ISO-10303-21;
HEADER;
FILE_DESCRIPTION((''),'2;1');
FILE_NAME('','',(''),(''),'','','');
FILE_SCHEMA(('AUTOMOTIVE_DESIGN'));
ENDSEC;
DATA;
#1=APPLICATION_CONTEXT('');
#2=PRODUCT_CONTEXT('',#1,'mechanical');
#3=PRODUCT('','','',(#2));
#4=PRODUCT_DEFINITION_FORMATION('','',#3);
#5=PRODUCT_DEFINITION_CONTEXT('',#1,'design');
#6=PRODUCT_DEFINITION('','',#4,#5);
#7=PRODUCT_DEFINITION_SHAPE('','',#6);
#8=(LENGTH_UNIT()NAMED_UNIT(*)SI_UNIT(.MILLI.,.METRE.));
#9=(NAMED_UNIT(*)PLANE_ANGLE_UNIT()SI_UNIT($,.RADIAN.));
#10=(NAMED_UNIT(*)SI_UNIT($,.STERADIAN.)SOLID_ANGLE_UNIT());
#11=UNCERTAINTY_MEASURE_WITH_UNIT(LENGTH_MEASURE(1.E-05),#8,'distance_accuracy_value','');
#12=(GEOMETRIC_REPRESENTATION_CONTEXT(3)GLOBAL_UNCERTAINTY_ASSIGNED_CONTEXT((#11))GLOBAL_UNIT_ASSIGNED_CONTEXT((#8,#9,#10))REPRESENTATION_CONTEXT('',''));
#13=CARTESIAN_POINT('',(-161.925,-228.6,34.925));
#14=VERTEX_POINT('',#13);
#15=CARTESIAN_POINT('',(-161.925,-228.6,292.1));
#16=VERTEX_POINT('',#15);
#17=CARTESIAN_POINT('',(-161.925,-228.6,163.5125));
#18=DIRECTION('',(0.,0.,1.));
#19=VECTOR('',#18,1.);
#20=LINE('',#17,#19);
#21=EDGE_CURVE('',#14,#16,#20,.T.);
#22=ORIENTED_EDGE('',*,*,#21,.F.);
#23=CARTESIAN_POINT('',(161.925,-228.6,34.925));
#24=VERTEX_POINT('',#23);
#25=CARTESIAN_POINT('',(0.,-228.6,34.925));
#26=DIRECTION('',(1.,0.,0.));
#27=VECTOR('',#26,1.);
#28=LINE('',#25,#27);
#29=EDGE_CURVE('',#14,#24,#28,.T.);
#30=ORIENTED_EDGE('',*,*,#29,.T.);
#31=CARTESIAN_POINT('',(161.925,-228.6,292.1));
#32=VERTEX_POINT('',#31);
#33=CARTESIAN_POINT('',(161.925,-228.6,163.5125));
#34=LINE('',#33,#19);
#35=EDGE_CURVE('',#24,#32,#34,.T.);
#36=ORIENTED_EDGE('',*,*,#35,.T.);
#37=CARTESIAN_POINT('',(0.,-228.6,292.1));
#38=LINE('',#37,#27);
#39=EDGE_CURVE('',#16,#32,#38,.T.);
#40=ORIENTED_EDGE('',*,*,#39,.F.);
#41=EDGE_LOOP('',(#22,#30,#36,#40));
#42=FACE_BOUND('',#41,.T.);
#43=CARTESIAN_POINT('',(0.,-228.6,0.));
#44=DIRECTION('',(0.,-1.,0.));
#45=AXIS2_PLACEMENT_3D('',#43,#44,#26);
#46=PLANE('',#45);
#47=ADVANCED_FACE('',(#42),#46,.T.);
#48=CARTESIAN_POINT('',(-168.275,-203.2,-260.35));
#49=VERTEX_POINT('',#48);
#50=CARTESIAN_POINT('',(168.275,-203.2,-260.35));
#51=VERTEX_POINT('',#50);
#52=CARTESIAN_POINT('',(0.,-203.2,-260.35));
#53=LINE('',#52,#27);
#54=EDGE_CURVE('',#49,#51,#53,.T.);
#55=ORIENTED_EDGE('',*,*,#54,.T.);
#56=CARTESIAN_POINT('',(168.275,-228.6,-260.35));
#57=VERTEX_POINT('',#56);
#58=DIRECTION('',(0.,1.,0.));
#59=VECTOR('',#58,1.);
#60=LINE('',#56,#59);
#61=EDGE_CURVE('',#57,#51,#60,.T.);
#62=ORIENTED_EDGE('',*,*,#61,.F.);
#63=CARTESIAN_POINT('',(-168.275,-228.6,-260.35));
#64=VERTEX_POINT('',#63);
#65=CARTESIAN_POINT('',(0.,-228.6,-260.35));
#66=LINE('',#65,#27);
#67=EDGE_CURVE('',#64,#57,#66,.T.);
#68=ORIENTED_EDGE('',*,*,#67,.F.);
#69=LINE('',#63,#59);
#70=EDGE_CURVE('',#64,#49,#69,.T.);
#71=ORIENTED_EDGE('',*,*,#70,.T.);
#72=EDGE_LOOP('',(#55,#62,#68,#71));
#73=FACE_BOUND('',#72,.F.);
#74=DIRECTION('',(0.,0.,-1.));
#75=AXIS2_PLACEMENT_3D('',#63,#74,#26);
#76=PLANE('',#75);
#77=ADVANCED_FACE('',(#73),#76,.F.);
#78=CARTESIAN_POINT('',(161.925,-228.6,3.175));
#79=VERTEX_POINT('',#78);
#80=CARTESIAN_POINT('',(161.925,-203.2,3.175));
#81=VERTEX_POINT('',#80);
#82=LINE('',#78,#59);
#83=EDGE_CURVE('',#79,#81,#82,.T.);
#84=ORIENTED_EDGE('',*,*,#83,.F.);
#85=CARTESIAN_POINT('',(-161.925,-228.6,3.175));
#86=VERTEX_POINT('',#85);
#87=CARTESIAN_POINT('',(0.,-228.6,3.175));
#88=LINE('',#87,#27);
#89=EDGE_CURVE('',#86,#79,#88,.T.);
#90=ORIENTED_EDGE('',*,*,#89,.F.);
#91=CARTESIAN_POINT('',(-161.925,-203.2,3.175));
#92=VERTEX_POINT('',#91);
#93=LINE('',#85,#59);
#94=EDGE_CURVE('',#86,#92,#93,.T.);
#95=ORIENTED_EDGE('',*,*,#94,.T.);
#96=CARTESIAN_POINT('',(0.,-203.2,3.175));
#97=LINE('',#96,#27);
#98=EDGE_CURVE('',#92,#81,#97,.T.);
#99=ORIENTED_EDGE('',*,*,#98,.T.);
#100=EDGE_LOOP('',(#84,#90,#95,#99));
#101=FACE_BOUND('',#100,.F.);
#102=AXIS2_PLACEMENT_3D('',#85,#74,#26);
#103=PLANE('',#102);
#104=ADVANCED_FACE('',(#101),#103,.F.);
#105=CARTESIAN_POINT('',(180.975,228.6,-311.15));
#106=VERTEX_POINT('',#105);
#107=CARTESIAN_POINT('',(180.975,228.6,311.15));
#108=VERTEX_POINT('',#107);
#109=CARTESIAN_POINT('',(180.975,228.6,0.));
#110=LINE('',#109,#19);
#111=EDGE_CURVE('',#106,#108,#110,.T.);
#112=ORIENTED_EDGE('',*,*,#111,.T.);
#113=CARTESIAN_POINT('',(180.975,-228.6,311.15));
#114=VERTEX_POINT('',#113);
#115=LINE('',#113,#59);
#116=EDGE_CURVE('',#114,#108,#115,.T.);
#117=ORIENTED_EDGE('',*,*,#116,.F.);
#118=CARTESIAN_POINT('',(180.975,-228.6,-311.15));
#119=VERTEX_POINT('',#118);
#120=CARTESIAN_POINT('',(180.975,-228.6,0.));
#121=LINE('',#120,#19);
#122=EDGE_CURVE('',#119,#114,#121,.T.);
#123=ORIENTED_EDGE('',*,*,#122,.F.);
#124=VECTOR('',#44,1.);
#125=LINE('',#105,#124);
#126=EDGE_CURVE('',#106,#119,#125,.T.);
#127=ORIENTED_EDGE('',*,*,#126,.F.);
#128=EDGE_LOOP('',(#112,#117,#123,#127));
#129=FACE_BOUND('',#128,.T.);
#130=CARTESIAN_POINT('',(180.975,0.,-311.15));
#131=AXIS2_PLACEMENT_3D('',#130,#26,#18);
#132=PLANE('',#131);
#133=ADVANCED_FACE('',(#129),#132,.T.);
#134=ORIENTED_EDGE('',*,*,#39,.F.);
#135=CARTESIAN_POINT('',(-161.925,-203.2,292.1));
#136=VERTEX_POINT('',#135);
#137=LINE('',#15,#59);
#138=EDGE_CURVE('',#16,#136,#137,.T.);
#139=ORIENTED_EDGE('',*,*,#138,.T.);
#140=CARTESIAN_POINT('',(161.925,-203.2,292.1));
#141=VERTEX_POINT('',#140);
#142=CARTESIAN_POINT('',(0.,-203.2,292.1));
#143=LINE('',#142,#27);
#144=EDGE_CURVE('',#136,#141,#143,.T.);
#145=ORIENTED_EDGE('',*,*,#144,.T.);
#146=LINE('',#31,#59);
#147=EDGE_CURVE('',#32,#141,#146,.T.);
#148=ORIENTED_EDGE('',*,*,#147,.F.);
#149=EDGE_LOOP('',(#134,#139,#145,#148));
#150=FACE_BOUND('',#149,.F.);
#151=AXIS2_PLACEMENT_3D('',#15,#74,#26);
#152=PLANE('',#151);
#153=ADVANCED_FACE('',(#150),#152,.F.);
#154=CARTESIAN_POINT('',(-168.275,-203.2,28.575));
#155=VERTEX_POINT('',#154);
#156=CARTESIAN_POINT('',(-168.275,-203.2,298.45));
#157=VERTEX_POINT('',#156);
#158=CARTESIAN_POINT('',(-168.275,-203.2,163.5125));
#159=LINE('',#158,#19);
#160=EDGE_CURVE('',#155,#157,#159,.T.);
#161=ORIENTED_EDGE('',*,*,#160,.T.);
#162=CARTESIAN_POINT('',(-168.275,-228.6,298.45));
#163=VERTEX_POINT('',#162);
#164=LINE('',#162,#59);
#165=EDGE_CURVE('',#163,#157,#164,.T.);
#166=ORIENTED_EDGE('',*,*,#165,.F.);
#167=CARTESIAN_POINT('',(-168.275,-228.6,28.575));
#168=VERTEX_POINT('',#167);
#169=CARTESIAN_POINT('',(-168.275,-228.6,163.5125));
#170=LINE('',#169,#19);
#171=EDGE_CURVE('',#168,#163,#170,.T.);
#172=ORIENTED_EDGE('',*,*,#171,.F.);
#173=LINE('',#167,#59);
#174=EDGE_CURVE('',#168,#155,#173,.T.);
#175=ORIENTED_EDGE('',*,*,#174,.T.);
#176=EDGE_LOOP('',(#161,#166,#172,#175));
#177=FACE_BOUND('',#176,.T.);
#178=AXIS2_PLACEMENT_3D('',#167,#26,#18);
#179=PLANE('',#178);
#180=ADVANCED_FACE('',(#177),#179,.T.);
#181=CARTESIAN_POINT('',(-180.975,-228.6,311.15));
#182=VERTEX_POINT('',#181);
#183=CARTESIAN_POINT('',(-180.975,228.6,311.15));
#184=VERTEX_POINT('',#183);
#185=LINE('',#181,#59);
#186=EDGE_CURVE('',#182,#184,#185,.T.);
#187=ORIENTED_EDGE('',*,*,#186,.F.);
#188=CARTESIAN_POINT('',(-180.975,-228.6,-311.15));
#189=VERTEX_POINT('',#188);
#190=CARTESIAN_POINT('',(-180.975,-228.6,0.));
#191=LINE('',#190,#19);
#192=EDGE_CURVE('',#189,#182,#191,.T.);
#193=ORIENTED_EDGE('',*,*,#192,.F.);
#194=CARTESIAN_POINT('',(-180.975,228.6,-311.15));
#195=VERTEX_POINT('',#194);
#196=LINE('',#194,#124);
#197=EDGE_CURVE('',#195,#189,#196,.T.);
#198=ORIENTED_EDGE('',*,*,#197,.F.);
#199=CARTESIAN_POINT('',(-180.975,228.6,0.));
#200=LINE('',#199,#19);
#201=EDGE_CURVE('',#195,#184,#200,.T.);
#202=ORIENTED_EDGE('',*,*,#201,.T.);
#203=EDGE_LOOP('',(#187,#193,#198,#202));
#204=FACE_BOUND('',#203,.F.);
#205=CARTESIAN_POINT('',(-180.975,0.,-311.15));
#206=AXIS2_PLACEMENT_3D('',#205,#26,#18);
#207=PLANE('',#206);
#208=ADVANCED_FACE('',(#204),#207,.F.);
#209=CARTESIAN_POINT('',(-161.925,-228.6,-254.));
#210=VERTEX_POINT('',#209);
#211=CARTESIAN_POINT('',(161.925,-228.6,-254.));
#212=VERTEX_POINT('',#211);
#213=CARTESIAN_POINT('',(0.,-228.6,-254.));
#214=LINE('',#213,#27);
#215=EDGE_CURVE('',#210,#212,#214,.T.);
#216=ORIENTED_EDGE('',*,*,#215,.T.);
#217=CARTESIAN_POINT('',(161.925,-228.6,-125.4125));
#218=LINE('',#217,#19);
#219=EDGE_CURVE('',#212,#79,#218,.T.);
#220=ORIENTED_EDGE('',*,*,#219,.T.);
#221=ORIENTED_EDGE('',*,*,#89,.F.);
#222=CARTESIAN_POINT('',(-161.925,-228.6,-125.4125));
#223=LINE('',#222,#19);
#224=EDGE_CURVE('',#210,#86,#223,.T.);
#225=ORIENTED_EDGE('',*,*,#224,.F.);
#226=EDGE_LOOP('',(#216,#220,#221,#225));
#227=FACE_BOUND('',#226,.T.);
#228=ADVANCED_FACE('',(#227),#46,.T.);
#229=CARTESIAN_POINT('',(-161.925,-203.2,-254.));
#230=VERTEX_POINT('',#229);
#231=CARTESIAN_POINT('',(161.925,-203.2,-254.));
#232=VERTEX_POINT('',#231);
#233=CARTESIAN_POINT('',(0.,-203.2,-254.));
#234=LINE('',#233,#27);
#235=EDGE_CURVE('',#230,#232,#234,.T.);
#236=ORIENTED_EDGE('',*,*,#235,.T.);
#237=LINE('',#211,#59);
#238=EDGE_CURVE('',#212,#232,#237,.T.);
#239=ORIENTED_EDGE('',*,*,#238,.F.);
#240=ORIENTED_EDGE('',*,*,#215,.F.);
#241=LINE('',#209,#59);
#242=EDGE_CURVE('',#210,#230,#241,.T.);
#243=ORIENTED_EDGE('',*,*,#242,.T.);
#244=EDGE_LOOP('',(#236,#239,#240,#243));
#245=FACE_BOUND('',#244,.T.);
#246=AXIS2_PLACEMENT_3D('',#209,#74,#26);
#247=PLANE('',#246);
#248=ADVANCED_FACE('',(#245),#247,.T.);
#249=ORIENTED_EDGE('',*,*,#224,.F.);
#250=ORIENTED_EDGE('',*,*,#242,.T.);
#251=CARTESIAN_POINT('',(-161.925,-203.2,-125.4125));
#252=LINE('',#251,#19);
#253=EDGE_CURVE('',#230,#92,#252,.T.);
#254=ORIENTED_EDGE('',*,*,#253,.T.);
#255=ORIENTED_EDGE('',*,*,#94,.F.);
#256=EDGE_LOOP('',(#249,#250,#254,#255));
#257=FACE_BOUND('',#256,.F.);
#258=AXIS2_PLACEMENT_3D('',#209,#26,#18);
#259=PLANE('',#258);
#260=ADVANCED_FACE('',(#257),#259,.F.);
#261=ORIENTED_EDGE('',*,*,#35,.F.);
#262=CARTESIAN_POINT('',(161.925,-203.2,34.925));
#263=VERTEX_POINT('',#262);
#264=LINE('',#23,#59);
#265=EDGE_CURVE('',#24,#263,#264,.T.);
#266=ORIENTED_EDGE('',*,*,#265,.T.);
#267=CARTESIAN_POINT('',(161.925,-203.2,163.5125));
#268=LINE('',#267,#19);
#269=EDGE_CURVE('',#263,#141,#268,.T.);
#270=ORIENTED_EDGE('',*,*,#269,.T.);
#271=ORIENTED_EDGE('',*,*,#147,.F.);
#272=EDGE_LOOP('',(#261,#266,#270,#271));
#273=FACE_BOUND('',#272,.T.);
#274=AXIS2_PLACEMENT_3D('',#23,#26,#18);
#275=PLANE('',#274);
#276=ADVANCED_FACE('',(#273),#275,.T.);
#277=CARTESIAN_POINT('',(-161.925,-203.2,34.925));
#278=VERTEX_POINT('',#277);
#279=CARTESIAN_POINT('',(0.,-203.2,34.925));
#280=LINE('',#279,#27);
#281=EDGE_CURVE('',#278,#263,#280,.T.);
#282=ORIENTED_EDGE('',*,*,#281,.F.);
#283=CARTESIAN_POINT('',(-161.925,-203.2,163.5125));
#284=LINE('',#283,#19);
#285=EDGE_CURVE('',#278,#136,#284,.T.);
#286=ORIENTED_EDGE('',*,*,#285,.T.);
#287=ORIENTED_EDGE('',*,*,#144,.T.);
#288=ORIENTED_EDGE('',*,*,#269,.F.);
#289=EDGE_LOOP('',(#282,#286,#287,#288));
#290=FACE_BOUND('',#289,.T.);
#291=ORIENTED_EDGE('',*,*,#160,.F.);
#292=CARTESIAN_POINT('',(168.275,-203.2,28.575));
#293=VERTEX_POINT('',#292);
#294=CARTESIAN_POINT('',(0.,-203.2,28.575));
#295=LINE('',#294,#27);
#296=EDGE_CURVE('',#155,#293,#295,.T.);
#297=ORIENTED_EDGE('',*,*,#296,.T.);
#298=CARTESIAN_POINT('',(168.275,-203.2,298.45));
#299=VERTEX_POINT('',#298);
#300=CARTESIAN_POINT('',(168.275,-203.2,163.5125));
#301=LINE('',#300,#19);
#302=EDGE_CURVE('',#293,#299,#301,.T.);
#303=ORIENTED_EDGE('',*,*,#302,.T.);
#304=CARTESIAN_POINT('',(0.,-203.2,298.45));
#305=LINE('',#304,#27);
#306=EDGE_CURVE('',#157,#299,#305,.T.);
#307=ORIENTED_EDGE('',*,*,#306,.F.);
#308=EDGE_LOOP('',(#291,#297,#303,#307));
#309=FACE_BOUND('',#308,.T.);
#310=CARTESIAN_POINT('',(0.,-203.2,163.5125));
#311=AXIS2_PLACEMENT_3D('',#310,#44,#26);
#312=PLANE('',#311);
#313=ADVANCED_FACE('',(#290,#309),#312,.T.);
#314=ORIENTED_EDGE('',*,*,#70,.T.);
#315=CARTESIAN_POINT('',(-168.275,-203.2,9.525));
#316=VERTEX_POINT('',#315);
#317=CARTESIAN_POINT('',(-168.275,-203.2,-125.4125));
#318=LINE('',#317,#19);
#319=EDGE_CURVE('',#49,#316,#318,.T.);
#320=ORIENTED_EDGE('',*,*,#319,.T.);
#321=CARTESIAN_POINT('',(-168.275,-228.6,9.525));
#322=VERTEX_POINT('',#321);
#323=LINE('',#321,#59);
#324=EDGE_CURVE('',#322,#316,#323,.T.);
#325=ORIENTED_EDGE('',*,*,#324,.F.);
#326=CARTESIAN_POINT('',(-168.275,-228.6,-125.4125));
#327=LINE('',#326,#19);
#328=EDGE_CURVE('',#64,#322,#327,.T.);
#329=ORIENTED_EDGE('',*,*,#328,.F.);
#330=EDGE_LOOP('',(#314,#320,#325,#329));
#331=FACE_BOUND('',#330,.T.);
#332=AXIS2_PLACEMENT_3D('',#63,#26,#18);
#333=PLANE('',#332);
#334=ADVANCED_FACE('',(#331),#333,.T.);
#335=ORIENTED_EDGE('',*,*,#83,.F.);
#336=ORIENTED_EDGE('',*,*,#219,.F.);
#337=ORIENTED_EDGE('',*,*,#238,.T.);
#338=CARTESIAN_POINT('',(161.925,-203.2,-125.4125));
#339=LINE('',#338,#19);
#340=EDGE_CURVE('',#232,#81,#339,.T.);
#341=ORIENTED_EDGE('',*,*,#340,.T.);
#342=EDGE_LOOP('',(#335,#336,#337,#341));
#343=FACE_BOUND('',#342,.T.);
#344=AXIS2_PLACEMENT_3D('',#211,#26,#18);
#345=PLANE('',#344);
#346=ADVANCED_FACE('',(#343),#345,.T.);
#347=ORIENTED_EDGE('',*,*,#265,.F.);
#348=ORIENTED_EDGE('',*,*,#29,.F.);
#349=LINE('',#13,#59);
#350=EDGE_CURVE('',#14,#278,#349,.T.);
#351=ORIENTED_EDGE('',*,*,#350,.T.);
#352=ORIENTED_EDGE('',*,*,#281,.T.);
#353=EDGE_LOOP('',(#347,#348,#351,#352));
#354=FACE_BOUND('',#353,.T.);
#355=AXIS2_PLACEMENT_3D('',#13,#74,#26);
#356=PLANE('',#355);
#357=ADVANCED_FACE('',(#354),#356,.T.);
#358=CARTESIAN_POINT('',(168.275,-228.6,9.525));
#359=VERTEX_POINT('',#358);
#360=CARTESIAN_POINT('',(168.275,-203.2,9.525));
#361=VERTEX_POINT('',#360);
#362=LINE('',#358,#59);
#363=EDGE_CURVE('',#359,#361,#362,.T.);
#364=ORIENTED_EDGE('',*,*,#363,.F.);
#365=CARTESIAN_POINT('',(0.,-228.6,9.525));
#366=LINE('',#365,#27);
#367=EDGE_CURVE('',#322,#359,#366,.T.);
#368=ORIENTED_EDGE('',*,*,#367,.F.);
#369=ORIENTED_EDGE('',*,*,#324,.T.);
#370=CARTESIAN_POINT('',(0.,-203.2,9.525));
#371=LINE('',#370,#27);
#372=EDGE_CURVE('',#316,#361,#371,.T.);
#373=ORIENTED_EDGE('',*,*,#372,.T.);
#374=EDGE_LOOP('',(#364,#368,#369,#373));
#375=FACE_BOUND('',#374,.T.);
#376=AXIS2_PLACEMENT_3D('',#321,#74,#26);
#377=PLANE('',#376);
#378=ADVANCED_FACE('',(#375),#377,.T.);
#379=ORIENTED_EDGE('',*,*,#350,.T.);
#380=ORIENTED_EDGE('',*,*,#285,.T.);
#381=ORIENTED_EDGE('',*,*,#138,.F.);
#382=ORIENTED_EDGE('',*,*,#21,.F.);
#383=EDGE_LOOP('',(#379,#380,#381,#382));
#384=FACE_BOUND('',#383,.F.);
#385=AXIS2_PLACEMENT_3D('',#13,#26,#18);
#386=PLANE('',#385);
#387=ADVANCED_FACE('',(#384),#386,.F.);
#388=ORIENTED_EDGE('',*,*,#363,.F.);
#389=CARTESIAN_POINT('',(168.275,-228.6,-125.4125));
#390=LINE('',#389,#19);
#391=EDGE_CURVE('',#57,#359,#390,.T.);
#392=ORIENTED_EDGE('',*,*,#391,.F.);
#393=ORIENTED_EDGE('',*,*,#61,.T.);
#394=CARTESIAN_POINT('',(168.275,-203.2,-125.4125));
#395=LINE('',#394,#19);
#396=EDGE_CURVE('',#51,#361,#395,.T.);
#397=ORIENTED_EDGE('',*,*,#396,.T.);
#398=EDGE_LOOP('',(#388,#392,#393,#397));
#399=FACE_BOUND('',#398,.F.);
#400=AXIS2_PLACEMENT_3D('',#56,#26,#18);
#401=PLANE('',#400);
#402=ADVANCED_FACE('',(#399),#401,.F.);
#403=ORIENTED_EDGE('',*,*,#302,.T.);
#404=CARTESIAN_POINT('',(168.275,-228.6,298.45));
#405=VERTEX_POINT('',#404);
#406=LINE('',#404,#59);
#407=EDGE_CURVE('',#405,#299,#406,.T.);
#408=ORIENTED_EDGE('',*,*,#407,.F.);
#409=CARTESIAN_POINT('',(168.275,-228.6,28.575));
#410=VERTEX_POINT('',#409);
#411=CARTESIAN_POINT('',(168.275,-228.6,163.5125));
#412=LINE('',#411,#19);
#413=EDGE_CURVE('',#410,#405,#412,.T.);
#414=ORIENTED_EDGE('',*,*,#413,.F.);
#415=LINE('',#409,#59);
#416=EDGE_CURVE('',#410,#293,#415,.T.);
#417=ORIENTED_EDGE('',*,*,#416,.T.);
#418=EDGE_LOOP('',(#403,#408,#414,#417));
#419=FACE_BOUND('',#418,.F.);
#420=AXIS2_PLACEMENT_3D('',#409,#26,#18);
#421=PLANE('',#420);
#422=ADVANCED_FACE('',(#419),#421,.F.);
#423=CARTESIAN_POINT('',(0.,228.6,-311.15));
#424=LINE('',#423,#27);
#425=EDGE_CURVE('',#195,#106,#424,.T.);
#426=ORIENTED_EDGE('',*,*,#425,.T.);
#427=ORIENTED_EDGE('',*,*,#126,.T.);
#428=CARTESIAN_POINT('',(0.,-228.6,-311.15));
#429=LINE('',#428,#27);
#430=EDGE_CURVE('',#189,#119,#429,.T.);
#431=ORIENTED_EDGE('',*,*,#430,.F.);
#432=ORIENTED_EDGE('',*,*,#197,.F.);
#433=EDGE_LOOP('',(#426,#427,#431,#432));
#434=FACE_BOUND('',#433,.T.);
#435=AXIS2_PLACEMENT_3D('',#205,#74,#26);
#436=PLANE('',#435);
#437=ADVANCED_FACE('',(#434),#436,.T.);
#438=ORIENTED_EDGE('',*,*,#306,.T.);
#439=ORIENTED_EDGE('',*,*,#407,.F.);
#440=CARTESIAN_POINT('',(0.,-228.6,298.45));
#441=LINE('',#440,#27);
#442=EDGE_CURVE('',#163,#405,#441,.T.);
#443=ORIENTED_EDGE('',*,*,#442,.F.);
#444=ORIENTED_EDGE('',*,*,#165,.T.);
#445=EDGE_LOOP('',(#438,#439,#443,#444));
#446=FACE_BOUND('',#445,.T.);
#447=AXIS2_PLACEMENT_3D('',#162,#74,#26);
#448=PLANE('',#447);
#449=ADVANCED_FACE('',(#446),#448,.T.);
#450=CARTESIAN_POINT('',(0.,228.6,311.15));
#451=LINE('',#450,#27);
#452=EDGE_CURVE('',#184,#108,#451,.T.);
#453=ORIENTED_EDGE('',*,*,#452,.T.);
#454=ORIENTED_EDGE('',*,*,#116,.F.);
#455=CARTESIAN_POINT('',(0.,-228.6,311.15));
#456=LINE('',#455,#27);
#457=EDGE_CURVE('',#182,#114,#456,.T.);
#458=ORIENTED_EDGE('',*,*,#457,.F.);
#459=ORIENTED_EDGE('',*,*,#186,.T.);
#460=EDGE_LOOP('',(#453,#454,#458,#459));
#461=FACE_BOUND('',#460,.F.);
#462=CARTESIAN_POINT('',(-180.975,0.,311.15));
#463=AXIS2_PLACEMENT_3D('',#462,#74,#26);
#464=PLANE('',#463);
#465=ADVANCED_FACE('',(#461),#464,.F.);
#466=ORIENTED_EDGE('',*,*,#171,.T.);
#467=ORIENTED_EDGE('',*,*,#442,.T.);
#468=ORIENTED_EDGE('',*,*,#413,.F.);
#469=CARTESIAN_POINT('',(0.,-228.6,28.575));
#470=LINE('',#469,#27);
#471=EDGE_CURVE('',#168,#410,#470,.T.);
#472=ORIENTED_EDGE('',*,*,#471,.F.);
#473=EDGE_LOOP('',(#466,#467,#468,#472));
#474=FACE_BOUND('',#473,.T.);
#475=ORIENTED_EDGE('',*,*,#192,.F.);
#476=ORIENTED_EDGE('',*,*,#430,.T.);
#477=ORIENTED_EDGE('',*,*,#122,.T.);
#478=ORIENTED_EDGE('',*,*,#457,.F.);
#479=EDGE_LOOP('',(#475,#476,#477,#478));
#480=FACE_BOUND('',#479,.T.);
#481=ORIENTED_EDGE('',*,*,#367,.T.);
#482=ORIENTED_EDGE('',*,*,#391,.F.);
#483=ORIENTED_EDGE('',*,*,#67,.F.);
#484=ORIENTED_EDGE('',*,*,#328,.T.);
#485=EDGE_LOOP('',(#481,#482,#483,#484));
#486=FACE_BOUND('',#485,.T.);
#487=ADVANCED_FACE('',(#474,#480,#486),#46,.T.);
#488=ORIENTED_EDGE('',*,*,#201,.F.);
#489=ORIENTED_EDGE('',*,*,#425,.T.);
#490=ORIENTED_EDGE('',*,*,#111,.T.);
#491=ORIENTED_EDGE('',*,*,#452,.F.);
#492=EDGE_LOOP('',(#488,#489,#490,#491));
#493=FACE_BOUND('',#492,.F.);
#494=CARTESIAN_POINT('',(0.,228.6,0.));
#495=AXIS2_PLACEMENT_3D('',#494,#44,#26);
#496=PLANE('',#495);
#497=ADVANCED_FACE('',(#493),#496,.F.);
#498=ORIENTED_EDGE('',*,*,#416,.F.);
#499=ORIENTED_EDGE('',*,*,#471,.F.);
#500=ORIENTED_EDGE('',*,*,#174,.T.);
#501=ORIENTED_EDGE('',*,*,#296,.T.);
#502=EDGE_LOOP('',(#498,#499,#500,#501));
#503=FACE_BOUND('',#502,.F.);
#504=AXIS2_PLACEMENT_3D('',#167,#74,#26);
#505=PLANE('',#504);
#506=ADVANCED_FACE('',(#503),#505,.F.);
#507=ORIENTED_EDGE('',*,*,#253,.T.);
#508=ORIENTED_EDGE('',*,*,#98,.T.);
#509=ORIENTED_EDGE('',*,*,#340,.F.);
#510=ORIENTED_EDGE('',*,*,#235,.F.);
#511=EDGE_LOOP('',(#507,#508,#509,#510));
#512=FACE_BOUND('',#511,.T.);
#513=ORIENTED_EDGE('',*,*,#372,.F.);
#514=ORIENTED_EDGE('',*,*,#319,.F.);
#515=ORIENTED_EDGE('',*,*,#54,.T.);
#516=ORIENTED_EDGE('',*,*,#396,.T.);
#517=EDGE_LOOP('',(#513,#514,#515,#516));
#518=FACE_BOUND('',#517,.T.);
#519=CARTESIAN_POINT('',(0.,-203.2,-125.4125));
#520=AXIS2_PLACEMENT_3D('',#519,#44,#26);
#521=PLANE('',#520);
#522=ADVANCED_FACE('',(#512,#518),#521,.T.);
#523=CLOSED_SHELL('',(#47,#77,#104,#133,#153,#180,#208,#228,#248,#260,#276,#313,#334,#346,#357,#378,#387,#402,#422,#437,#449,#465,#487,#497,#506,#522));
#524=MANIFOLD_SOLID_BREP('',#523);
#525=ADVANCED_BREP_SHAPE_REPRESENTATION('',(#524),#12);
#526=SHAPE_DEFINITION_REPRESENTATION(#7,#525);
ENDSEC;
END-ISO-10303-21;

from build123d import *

# Parameters (mm, degrees)
F0_W     = 361.95
F0_H     = 622.3
F1_DEPTH = 228.6
F2_W     = 336.55
F2_H     = 269.875
F2_W_2   = 323.85
F2_H_2   = 257.175
F3_DEPTH = 25.4


with BuildPart() as f1:
    # F0 (on Front) → F1 (new body, symmetric)
    with BuildSketch(Plane.XZ):
        Rectangle(F0_W, F0_H)
    extrude(amount=F1_DEPTH, both=True)

    # F2 (on face) → F3 (cut)
    with BuildSketch(Plane.XZ.offset(228.6)):
        with Locations((0, 163.5125)):
            Rectangle(F2_W, F2_H)
        with Locations((0, 163.5125)):
            Rectangle(F2_W_2, F2_H_2, mode=Mode.SUBTRACT)
        with Locations((0, -125.4125)):
            Rectangle(F2_W, F2_H)
        with Locations((0, -125.4125)):
            Rectangle(F2_W_2, F2_H_2, mode=Mode.SUBTRACT)
    extrude(amount=-F3_DEPTH, mode=Mode.SUBTRACT)


solid = f1.part
